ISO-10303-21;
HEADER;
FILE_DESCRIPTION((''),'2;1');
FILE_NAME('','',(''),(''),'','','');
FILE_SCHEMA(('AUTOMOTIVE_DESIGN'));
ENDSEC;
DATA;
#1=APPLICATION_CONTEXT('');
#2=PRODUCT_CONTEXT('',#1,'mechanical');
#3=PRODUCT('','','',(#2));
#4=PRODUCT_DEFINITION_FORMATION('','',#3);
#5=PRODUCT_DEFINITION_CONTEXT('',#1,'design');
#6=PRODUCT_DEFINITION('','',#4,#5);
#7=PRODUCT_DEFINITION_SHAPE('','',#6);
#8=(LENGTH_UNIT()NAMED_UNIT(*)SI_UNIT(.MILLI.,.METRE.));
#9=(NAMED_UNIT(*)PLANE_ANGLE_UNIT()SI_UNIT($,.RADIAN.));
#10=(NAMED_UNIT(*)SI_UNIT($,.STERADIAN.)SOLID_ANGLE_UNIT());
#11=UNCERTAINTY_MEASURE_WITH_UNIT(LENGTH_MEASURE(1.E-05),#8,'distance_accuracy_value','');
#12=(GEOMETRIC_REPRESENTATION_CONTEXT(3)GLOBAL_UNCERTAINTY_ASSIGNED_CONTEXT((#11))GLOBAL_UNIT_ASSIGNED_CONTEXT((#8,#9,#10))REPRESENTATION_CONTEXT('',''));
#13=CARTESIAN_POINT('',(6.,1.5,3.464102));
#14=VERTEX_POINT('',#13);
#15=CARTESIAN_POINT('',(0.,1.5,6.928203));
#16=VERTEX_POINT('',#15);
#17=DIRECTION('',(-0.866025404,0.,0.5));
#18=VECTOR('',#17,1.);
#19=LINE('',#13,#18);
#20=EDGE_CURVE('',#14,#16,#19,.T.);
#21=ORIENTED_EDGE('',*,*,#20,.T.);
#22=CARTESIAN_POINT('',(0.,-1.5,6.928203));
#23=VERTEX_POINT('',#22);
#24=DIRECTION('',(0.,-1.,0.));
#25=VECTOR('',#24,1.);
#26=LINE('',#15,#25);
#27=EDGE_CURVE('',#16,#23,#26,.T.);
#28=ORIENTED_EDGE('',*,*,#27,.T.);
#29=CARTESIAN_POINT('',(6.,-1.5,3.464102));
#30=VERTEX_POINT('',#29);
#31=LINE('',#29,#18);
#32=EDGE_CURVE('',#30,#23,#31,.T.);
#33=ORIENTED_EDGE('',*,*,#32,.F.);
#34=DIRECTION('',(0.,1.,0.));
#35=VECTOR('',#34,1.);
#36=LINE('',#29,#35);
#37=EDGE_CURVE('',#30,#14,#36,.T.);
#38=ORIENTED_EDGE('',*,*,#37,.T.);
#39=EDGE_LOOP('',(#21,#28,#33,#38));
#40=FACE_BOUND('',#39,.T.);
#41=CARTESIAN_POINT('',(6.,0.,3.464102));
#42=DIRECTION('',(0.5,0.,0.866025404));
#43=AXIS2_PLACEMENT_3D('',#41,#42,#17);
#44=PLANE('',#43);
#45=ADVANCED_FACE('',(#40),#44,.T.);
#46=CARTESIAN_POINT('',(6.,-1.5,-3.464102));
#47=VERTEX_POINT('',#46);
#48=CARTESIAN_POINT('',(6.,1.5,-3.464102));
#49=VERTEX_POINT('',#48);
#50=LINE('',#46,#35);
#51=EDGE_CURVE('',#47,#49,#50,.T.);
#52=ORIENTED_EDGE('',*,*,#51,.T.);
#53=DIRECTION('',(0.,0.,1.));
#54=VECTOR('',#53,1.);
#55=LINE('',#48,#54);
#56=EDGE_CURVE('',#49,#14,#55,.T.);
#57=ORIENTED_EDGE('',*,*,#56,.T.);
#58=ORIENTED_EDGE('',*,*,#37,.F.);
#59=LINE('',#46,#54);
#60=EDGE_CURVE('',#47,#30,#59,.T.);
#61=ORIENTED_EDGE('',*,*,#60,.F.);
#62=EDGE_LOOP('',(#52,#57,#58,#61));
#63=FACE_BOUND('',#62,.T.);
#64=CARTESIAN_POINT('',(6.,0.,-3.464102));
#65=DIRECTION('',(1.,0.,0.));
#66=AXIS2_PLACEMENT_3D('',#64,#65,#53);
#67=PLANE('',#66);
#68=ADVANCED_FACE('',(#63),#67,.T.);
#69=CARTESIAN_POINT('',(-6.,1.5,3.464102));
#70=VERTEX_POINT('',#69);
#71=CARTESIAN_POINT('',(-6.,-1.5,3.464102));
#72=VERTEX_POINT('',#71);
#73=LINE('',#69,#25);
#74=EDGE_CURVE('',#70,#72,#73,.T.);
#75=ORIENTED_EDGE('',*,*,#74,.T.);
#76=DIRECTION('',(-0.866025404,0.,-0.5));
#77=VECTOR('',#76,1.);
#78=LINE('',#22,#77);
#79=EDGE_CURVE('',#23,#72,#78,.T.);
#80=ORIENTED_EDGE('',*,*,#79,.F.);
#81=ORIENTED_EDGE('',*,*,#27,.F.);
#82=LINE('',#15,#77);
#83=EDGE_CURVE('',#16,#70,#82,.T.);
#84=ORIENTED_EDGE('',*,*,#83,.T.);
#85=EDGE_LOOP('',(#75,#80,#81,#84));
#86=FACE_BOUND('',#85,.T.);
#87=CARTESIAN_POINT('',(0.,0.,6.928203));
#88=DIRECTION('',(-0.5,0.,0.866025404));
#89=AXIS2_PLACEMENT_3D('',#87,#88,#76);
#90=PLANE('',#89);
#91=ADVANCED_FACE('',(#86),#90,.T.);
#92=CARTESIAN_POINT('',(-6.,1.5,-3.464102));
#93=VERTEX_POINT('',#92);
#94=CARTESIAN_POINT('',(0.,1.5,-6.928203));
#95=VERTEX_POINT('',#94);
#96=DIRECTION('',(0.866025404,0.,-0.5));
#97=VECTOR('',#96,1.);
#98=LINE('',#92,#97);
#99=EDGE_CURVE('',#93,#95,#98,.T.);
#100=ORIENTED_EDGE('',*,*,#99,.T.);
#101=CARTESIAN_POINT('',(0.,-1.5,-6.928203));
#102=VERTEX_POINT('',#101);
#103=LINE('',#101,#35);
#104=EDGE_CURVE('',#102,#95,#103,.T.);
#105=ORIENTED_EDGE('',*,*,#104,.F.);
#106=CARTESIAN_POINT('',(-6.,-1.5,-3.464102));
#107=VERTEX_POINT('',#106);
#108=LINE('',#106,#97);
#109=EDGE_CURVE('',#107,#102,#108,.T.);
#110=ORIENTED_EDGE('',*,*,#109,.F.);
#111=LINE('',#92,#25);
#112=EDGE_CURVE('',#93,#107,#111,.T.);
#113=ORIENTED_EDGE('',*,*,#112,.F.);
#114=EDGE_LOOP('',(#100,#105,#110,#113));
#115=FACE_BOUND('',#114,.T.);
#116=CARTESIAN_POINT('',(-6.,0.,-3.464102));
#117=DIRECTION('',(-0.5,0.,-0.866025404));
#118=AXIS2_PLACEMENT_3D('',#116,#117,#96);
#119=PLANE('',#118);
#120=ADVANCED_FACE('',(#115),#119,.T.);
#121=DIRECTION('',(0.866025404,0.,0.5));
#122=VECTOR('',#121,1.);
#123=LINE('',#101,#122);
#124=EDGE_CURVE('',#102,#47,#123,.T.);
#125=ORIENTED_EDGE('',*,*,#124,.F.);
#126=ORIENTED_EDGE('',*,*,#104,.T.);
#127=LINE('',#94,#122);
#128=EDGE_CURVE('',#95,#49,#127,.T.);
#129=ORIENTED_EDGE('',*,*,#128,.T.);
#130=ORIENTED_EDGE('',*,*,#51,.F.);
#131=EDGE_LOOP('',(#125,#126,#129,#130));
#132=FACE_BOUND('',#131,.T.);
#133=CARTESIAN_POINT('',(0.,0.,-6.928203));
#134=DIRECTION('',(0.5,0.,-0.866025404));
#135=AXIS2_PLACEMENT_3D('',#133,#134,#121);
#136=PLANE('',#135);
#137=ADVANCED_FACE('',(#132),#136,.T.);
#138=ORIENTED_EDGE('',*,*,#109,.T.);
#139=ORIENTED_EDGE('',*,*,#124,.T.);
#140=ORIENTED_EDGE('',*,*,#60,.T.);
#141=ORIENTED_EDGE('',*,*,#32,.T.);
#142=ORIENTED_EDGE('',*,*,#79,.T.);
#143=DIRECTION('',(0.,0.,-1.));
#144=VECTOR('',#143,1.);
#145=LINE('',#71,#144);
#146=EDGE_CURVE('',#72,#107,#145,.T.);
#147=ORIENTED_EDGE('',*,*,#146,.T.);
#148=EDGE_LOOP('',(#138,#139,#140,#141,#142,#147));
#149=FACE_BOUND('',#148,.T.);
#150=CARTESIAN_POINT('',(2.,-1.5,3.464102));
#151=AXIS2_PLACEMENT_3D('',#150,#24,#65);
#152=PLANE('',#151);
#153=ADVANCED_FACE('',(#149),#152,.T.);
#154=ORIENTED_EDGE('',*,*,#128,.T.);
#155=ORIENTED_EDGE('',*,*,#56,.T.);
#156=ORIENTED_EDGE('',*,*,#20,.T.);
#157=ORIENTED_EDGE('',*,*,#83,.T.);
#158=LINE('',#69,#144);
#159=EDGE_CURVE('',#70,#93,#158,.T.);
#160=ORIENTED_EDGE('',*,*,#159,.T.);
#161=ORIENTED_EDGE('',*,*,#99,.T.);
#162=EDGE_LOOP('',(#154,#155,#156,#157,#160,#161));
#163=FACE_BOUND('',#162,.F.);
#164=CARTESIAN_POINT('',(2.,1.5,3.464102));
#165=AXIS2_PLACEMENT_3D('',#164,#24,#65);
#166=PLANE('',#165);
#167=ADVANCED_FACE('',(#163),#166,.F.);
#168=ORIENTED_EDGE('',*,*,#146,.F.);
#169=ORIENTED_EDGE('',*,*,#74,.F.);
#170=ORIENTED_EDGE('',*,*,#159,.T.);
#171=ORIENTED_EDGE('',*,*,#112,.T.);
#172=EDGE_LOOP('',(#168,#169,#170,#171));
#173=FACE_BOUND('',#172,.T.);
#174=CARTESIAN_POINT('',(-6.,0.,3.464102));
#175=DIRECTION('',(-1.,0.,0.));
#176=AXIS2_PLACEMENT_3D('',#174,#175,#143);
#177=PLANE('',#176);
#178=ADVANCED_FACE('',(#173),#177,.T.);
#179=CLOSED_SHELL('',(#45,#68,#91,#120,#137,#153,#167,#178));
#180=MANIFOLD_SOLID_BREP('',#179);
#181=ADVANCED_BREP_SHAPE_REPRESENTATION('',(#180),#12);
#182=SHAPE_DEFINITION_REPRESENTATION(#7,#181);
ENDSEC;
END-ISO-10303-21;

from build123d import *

# Parameters (mm, degrees)
F1_DEPTH = 1.5


with BuildPart() as f1:
    # F0 (on Front) → F1 (new body, symmetric)
    with BuildSketch(Plane.XZ):
        Polygon((6, 3.4641016151), (0, 6.9282032303), (0, 0), align=None)
        Polygon((0, 0), (0, 6.9282032303), (-6, 3.4641016151), align=None)
        Polygon((6, -3.4641016151), (0, 0), (0, -6.9282032303), align=None)
        Polygon((-6, -3.4641016151), (0, 0), (-6, 3.4641016151), align=None)
        Polygon((6, 3.4641016151), (0, 0), (6, -3.4641016151), align=None)
        Polygon((0, -6.9282032303), (0, 0), (-6, -3.4641016151), align=None)
    extrude(amount=F1_DEPTH, both=True)


solid = f1.part
